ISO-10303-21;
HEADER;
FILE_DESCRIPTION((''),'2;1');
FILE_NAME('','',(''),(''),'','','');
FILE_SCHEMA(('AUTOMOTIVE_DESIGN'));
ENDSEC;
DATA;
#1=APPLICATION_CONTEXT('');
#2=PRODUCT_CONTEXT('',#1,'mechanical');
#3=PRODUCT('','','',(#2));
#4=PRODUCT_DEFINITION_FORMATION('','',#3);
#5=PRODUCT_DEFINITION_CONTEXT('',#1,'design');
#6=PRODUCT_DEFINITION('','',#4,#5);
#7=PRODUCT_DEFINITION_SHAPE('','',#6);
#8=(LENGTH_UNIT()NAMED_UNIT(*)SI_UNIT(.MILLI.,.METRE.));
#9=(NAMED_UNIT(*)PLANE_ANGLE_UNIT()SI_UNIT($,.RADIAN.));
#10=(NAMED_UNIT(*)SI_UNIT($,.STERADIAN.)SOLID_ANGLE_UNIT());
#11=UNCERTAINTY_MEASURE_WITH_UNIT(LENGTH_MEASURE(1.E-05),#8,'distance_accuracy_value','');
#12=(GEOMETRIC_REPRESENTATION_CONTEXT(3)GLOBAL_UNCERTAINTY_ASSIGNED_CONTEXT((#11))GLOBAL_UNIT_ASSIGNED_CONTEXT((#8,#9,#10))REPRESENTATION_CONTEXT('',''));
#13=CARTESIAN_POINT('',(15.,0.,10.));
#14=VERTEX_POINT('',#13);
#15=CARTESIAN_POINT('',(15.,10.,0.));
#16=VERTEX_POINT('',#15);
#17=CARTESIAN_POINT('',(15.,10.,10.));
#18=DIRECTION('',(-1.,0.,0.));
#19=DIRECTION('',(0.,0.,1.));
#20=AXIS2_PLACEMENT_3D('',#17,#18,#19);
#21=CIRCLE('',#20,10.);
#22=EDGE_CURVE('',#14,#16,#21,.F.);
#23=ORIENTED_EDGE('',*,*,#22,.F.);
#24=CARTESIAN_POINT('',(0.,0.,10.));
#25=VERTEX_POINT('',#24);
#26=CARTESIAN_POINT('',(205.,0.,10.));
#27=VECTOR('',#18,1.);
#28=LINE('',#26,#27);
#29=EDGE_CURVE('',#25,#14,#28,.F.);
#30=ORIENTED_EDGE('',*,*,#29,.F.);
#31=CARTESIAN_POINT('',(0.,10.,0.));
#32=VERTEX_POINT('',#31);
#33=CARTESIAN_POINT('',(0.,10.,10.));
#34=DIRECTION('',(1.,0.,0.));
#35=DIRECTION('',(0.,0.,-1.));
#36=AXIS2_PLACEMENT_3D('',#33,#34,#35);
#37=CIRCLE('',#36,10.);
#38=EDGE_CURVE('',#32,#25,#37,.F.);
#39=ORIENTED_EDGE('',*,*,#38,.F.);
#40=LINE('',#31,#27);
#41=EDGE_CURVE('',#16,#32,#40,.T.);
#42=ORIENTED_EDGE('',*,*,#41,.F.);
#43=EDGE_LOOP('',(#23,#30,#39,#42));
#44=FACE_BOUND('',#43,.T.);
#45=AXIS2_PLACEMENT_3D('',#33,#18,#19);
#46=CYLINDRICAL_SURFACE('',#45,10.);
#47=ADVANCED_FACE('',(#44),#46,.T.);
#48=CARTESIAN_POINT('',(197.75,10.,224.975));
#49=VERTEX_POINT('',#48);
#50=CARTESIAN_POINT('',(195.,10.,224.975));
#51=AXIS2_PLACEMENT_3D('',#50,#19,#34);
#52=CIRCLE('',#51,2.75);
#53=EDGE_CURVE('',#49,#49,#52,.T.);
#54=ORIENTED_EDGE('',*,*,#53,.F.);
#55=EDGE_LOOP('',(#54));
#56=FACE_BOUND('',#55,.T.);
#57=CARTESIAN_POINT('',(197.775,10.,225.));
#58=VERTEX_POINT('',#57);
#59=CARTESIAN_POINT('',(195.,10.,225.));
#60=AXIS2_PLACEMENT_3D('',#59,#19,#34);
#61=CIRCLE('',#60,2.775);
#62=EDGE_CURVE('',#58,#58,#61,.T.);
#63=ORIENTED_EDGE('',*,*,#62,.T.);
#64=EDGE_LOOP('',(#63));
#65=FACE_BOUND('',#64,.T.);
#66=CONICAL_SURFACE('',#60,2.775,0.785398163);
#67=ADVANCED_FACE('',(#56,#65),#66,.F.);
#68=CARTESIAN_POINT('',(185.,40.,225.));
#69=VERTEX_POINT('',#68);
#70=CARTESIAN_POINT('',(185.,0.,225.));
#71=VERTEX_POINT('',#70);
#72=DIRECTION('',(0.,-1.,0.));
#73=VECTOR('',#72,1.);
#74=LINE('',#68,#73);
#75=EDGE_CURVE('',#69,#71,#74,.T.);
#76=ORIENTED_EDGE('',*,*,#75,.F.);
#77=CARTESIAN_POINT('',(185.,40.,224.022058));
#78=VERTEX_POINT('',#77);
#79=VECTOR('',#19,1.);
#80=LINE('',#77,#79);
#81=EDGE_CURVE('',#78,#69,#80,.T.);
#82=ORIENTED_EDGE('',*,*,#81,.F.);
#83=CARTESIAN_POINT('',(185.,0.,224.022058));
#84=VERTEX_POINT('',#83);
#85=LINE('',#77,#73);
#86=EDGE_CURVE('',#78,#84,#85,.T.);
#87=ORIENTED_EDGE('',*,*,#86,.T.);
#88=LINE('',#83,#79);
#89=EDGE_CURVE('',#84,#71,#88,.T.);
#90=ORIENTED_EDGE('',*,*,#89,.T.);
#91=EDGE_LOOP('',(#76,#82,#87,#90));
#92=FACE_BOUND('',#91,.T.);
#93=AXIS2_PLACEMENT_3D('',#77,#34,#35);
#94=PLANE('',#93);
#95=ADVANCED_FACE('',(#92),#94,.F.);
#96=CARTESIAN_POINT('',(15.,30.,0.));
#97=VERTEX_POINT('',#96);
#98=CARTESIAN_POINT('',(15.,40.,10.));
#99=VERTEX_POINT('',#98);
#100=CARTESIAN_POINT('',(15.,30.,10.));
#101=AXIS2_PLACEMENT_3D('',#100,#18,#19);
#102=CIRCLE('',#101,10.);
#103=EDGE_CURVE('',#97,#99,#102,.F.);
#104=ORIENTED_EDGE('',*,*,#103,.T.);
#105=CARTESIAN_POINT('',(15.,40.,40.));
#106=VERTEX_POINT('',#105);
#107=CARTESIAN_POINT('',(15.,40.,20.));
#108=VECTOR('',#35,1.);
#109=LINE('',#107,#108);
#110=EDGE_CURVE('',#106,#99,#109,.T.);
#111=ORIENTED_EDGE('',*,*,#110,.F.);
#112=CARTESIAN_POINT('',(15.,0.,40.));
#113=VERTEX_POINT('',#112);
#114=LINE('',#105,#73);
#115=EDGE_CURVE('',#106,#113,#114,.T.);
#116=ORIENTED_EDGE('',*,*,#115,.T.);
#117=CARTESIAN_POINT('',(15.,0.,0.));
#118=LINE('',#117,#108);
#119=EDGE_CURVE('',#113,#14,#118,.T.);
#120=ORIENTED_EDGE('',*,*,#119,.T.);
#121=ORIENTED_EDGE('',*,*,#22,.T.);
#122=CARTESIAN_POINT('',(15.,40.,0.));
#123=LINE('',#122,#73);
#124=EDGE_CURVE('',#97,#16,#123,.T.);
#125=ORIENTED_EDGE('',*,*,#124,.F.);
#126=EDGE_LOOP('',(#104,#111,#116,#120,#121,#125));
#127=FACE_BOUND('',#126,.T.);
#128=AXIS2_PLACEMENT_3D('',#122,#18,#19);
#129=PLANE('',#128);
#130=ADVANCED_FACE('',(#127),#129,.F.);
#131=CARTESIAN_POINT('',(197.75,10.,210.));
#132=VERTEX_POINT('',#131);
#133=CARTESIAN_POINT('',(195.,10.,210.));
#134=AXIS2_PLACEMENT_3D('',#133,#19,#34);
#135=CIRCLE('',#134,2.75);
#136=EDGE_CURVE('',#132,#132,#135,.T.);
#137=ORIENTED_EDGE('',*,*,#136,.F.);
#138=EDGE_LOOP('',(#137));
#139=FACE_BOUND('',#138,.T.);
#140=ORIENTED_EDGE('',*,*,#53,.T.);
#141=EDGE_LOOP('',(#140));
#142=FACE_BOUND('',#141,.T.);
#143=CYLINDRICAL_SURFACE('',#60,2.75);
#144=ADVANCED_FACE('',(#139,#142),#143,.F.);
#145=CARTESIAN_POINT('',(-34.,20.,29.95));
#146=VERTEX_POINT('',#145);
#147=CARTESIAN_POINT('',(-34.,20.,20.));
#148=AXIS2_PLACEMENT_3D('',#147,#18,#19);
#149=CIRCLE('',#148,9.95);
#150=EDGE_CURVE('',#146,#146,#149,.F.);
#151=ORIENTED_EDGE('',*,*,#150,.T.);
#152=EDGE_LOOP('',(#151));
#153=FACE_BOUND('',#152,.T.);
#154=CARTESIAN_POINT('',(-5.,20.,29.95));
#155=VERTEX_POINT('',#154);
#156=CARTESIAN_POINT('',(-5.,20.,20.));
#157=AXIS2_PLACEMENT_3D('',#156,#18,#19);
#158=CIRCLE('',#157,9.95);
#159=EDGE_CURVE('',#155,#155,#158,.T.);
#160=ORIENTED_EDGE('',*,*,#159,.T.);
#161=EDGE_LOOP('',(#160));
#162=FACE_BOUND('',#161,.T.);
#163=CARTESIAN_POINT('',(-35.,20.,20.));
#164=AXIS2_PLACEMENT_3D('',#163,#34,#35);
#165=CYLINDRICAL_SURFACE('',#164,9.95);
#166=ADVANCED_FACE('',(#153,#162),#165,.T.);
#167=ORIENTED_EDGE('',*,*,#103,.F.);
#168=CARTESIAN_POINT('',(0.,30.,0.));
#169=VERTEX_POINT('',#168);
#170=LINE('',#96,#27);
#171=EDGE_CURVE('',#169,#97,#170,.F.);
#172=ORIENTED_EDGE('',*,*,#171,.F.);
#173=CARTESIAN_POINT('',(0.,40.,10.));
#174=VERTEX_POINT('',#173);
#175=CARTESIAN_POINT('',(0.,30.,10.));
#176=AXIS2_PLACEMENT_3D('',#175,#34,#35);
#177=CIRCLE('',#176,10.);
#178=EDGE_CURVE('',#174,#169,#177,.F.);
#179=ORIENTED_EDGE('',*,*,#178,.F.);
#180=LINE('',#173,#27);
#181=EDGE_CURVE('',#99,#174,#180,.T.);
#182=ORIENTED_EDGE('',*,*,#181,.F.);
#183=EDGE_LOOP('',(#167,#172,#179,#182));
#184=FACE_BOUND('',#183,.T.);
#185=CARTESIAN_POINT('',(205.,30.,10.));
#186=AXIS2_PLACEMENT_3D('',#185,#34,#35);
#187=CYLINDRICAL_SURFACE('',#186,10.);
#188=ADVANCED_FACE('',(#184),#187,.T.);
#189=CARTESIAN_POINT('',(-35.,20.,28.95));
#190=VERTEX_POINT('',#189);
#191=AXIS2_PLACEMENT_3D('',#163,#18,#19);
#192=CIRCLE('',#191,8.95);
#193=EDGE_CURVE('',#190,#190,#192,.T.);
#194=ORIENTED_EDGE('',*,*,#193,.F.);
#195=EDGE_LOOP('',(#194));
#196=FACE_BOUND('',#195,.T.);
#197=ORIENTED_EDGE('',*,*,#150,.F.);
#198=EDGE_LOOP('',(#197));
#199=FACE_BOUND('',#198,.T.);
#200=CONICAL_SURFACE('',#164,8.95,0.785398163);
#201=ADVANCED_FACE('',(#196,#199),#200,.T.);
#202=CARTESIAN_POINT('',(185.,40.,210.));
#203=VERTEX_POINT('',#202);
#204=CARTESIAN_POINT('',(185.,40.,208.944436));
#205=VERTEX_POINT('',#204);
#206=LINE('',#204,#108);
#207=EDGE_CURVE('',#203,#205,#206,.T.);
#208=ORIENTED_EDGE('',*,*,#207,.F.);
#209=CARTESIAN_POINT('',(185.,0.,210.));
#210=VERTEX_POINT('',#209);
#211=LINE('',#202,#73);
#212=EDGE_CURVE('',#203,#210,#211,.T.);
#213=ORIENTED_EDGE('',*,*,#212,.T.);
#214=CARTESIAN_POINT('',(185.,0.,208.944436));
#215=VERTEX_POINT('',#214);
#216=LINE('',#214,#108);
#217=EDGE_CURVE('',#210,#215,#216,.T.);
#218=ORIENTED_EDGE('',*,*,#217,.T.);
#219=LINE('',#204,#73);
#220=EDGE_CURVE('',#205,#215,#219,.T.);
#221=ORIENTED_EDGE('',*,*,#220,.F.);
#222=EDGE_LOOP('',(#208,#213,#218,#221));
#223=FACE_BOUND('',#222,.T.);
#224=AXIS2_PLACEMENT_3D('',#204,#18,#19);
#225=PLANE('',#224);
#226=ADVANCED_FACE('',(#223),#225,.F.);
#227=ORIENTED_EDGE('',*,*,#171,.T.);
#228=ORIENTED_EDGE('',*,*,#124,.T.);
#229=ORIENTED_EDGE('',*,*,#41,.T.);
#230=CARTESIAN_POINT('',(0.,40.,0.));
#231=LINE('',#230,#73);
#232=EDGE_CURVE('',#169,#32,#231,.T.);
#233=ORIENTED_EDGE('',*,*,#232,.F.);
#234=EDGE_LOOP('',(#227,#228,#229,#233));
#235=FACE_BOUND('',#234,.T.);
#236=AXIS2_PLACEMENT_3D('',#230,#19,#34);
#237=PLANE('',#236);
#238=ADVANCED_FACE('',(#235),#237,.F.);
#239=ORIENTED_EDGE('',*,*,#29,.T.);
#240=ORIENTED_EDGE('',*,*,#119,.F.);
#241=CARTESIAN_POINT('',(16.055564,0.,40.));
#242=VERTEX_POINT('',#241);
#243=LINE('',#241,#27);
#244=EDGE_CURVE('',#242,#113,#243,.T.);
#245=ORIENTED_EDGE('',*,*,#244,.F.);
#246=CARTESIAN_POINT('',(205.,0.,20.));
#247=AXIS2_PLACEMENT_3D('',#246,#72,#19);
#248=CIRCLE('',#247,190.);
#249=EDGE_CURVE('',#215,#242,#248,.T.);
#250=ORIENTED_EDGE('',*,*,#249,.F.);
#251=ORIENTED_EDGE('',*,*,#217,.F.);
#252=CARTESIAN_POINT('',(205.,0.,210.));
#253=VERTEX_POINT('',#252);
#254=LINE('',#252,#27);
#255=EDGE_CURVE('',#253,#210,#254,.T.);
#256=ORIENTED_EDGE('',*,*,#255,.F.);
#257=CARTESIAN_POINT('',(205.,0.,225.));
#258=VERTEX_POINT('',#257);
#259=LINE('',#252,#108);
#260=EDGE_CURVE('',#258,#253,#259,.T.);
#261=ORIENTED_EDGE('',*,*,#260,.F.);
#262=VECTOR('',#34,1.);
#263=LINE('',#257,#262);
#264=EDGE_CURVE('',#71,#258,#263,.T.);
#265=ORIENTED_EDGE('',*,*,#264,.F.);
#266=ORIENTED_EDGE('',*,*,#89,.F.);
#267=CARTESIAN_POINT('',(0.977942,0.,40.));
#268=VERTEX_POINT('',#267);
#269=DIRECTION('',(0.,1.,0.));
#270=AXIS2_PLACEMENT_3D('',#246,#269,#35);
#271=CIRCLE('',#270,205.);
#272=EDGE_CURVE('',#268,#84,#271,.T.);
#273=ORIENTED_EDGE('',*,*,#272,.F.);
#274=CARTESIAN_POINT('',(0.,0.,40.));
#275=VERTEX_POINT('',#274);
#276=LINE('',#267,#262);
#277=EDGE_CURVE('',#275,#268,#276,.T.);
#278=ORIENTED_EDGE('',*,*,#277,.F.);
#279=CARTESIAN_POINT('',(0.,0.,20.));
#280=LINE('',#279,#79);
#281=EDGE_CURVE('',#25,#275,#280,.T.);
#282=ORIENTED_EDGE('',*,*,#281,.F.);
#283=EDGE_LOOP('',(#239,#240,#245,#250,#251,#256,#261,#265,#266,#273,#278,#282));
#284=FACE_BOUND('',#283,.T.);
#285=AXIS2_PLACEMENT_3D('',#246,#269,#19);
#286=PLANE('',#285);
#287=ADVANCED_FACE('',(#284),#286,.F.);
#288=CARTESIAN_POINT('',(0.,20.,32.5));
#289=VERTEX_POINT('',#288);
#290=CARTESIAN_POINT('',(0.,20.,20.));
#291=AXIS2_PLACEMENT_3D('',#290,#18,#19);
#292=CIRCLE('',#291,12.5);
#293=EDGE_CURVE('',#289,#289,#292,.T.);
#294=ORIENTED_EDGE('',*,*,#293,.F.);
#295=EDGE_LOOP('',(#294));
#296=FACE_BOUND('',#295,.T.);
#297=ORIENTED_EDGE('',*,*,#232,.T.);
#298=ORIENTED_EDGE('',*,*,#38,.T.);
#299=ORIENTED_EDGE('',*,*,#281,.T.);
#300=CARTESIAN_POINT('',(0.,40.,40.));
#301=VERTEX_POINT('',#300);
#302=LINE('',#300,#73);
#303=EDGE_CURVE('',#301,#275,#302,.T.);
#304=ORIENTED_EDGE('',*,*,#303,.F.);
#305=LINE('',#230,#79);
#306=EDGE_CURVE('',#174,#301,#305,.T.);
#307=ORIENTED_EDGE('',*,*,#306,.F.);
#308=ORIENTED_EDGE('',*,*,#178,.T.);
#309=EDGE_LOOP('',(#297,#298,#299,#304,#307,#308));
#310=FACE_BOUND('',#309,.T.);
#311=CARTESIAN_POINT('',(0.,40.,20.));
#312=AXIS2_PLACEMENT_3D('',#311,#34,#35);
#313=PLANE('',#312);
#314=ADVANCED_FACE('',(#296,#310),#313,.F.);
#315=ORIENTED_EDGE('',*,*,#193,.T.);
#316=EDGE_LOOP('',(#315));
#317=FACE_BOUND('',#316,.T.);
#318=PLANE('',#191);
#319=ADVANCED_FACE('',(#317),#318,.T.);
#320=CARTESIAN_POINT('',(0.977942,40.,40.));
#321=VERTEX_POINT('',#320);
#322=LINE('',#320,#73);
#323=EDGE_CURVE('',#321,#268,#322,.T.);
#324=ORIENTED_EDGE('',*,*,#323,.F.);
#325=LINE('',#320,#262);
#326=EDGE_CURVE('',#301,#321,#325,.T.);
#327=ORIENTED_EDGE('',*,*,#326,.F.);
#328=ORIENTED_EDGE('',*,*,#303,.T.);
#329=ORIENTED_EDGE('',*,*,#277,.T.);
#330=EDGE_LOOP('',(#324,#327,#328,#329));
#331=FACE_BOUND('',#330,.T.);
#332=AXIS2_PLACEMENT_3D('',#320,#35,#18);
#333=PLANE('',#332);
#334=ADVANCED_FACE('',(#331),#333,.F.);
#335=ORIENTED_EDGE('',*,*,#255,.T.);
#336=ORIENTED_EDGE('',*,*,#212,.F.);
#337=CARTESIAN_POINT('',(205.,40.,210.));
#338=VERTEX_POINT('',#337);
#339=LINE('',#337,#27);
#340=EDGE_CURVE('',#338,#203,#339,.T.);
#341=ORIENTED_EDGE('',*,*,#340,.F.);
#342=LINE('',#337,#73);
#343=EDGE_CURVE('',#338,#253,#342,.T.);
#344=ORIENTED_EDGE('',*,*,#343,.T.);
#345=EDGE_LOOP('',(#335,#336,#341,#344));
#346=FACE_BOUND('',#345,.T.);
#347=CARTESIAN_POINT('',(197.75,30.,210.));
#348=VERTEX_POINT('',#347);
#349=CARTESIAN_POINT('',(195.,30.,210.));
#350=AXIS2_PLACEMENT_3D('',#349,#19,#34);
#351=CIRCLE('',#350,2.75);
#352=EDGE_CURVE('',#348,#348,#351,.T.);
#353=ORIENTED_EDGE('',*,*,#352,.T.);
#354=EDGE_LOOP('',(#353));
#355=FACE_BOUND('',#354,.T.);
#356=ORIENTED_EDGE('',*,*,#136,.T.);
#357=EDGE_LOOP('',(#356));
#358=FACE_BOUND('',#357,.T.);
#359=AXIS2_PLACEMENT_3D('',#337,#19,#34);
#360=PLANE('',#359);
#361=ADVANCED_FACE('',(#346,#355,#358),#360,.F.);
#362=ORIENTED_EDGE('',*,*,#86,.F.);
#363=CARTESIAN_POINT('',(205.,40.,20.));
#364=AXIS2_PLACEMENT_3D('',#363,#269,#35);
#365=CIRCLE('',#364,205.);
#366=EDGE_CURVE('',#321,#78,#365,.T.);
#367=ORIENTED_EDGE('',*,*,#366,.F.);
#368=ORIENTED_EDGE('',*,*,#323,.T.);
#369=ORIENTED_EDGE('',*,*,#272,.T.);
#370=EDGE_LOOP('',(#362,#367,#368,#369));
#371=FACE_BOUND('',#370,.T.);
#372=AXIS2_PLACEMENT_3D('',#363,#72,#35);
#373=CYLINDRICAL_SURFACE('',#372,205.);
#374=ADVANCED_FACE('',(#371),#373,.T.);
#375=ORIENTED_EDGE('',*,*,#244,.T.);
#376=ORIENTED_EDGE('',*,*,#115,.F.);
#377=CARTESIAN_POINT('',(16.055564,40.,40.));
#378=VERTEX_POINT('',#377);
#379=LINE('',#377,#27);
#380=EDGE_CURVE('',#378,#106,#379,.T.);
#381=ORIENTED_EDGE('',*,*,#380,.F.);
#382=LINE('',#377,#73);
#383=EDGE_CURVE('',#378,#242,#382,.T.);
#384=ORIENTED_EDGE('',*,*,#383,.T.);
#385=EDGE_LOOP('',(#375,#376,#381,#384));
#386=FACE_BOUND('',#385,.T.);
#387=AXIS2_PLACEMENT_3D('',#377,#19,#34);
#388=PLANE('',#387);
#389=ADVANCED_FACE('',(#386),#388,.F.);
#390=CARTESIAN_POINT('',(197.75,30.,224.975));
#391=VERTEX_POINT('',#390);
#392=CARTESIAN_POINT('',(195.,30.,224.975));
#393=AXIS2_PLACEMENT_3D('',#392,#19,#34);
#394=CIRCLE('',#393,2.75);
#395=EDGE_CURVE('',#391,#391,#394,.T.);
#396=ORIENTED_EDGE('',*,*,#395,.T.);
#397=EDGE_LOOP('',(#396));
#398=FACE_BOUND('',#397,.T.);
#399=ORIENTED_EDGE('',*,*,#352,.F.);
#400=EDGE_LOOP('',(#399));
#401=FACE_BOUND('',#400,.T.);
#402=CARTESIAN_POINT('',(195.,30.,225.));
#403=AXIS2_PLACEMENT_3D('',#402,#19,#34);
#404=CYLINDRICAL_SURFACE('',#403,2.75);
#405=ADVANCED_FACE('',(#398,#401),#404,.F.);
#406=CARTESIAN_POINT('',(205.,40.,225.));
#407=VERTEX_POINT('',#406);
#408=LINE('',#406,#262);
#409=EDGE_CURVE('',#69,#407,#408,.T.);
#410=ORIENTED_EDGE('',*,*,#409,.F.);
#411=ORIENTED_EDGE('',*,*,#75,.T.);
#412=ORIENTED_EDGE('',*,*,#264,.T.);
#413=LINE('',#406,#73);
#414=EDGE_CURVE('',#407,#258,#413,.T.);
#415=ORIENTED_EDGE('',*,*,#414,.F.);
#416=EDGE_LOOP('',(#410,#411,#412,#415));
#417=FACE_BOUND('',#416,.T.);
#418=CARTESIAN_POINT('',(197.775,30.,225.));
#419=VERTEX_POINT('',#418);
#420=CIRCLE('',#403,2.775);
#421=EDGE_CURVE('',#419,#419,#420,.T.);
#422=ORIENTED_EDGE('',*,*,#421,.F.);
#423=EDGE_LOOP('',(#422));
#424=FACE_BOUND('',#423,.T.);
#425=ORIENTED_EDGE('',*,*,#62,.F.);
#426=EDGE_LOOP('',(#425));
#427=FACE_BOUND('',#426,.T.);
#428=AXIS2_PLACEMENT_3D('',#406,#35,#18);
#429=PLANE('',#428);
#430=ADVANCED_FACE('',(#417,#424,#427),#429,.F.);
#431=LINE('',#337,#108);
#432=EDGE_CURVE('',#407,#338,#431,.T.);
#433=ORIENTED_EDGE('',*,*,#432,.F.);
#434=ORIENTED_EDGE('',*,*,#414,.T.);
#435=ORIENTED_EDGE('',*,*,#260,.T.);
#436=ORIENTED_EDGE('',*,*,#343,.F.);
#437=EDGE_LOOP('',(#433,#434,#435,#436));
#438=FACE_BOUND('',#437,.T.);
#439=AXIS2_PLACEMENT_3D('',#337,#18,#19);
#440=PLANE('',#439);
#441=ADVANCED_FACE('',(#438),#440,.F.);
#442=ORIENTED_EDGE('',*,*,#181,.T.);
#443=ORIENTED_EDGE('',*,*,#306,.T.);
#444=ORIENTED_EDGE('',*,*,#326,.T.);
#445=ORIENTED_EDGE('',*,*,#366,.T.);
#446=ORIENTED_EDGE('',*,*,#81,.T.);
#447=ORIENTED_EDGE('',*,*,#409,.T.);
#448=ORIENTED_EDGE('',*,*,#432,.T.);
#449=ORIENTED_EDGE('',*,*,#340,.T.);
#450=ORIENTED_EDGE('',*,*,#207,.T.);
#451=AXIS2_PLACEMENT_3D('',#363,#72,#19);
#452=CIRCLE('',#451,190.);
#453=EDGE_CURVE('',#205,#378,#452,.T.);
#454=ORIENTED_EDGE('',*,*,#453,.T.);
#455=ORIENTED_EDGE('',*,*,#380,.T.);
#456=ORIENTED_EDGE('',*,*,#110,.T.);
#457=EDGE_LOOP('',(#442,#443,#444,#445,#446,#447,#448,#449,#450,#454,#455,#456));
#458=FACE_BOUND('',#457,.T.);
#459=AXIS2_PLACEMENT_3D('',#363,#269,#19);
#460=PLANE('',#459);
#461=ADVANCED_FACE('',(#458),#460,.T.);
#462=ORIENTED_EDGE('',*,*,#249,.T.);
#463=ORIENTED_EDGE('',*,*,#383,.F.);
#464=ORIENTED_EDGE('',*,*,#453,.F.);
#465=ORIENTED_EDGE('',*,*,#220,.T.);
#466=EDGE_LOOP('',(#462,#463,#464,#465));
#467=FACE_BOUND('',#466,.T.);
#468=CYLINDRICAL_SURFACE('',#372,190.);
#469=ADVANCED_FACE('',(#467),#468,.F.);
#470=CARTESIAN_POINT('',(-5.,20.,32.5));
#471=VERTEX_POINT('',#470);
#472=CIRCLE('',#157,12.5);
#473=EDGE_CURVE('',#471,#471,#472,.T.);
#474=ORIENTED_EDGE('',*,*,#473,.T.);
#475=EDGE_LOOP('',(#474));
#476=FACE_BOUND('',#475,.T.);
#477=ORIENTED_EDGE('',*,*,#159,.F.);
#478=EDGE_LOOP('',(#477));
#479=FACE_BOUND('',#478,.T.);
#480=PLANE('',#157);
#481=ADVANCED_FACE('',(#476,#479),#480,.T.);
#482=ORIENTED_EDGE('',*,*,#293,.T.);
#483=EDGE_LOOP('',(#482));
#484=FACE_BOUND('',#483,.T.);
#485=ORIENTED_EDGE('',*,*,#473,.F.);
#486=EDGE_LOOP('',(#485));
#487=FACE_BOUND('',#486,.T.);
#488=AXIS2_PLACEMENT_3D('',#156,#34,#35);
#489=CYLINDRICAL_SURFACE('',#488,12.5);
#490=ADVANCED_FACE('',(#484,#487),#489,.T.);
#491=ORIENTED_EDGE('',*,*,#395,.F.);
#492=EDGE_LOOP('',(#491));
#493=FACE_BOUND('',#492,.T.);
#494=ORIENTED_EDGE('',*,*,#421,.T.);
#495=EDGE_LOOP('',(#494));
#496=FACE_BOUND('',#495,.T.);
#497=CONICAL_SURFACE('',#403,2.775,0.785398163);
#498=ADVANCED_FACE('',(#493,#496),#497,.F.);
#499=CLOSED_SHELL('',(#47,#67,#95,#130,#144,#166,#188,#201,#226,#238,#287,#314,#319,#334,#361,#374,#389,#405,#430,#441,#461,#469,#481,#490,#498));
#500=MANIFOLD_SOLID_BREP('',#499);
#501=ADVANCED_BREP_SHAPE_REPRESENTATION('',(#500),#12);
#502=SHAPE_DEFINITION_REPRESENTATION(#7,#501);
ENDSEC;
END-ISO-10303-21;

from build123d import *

# Parameters (mm, degrees)
BOSS_EXTRUDE4_DEPTH            = 40
SKETCH18_R                     = 12.5
BOSS_EXTRUDE2_DEPTH            = 5
SKETCH19_R                     = 9.95
BOSS_EXTRUDE3_DEPTH            = 30
FILLET1_R                      = 10
M5_CLEARANCE_HOLE1_D           = 5.5
M5_CLEARANCE_HOLE1_CSINK_D     = 5.55
M5_CLEARANCE_HOLE1_CSINK_ANGLE = 90
CHAMFER1_SIZE                  = 1


with BuildPart() as part:
    # Sketch20 → Boss-Extrude4 (new body)
    with BuildSketch(Plane(origin=(0, 0, 0), x_dir=(1, 0, 0), z_dir=(0, 1, 0))):
        with BuildLine():
            Line((0, 0), (0, -20))
            Line((0, -20), (0, -40))
            Line((0, -40), (0.977942369, -40))
            ThreePointArc((0.977942369, -40), (60.043109857, -164.956890143), (185, -224.022057631))
            Line((185, -224.022057631), (185, -225))
            Line((185, -225), (205, -225))
            Line((205, -225), (205, -210))
            Line((205, -210), (185, -210))
            Line((185, -210), (185, -208.944436277))
            ThreePointArc((185, -208.944436277), (70.649711575, -154.350288425), (16.055563723, -40))
            Line((16.055563723, -40), (15, -40))
            Line((15, -40), (15, -20))
            Line((15, -20), (15, 0))
            Line((15, 0), (0, 0))
        make_face()
    extrude(amount=BOSS_EXTRUDE4_DEPTH)

    # Sketch18 → Boss-Extrude2 (add)
    with BuildSketch(Plane.ZY):
        with Locations((20, 20)):
            Circle(SKETCH18_R)
    extrude(amount=BOSS_EXTRUDE2_DEPTH)

    # Sketch19 → Boss-Extrude3 (add)
    with BuildSketch(Plane.ZY.offset(5)):
        with Locations((20, 20)):
            Circle(SKETCH19_R)
    extrude(amount=BOSS_EXTRUDE3_DEPTH)

    # Fillet1
    fillet1_edges = [part.edges().sort_by_distance(p)[0] for p in [
        (7.5, 0, 0),
        (7.5, 40, 0),
    ]]
    fillet(fillet1_edges, radius=FILLET1_R)

    # M5 Clearance Hole1 (through all)
    with Locations(Plane.XY.offset(225)):
        with Locations((195, 30), (195, 10)):
            CounterSinkHole(M5_CLEARANCE_HOLE1_D / 2, M5_CLEARANCE_HOLE1_CSINK_D / 2, counter_sink_angle=M5_CLEARANCE_HOLE1_CSINK_ANGLE)

    # Chamfer1
    chamfer1_edges = [part.edges().sort_by_distance(p)[0] for p in [
        (-35, 20, 10.05),
    ]]
    chamfer(chamfer1_edges, length=CHAMFER1_SIZE)


solid = part.part
